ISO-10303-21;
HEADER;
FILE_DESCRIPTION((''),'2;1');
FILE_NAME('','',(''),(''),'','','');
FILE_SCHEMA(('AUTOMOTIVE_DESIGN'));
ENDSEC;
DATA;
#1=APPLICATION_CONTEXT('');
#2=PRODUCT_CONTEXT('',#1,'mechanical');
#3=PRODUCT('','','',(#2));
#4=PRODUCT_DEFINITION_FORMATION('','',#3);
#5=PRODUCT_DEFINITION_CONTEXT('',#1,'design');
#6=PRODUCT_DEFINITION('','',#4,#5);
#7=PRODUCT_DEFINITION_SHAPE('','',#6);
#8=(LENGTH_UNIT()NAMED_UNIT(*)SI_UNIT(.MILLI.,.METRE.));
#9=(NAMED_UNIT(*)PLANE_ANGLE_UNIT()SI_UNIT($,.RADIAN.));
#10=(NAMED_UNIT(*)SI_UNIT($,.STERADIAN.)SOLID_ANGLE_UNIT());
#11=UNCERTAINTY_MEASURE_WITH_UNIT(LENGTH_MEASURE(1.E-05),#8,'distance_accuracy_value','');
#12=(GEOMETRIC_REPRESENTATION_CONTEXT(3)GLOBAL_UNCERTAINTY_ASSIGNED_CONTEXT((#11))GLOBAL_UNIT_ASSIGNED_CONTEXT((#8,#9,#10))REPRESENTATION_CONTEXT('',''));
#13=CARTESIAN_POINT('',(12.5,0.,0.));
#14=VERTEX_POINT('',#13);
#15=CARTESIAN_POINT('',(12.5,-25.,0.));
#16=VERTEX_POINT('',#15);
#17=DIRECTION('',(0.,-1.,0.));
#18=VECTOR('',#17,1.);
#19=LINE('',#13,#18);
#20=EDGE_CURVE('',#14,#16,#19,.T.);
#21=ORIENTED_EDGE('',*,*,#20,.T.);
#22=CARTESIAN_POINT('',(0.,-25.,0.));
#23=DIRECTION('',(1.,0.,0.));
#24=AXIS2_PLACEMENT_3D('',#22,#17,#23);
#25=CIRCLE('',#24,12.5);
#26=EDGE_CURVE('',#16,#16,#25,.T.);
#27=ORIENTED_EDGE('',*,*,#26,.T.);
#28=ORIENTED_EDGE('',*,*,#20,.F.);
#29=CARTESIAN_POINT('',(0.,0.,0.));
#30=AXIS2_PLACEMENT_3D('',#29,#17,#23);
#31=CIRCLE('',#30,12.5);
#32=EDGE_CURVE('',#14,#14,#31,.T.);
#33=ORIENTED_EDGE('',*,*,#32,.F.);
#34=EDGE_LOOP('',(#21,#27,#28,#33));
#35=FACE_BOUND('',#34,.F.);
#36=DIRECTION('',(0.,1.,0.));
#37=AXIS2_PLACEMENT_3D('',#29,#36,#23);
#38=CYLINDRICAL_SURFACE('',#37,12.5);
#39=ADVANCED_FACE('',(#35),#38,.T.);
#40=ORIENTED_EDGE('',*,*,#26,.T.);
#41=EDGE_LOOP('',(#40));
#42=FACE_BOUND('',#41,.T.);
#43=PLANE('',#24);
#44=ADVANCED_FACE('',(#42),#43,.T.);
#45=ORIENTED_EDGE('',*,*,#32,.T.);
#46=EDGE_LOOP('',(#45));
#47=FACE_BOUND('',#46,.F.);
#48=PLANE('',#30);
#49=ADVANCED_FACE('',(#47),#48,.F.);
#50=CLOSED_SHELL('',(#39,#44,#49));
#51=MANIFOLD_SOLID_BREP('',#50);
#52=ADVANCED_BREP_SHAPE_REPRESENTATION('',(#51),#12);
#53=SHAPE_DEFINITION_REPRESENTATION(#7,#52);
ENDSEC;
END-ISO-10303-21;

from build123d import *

# Parameters (mm, degrees)
F0_R     = 12.5
F1_DEPTH = 25
F0_R_2   = 10


with BuildPart() as f1:
    # F0 (on Front) → F1 (new body)
    with BuildSketch(Plane.XZ):
        Circle(F0_R)
    extrude(amount=F1_DEPTH)


with BuildPart() as f1b:
    # F0 (on Front) → F1, piece 2 (new body)
    with BuildSketch(Plane.XZ):
        with Locations((0, 40)):
            Circle(F0_R_2)
    extrude(amount=F1_DEPTH)


solid = f1.part
